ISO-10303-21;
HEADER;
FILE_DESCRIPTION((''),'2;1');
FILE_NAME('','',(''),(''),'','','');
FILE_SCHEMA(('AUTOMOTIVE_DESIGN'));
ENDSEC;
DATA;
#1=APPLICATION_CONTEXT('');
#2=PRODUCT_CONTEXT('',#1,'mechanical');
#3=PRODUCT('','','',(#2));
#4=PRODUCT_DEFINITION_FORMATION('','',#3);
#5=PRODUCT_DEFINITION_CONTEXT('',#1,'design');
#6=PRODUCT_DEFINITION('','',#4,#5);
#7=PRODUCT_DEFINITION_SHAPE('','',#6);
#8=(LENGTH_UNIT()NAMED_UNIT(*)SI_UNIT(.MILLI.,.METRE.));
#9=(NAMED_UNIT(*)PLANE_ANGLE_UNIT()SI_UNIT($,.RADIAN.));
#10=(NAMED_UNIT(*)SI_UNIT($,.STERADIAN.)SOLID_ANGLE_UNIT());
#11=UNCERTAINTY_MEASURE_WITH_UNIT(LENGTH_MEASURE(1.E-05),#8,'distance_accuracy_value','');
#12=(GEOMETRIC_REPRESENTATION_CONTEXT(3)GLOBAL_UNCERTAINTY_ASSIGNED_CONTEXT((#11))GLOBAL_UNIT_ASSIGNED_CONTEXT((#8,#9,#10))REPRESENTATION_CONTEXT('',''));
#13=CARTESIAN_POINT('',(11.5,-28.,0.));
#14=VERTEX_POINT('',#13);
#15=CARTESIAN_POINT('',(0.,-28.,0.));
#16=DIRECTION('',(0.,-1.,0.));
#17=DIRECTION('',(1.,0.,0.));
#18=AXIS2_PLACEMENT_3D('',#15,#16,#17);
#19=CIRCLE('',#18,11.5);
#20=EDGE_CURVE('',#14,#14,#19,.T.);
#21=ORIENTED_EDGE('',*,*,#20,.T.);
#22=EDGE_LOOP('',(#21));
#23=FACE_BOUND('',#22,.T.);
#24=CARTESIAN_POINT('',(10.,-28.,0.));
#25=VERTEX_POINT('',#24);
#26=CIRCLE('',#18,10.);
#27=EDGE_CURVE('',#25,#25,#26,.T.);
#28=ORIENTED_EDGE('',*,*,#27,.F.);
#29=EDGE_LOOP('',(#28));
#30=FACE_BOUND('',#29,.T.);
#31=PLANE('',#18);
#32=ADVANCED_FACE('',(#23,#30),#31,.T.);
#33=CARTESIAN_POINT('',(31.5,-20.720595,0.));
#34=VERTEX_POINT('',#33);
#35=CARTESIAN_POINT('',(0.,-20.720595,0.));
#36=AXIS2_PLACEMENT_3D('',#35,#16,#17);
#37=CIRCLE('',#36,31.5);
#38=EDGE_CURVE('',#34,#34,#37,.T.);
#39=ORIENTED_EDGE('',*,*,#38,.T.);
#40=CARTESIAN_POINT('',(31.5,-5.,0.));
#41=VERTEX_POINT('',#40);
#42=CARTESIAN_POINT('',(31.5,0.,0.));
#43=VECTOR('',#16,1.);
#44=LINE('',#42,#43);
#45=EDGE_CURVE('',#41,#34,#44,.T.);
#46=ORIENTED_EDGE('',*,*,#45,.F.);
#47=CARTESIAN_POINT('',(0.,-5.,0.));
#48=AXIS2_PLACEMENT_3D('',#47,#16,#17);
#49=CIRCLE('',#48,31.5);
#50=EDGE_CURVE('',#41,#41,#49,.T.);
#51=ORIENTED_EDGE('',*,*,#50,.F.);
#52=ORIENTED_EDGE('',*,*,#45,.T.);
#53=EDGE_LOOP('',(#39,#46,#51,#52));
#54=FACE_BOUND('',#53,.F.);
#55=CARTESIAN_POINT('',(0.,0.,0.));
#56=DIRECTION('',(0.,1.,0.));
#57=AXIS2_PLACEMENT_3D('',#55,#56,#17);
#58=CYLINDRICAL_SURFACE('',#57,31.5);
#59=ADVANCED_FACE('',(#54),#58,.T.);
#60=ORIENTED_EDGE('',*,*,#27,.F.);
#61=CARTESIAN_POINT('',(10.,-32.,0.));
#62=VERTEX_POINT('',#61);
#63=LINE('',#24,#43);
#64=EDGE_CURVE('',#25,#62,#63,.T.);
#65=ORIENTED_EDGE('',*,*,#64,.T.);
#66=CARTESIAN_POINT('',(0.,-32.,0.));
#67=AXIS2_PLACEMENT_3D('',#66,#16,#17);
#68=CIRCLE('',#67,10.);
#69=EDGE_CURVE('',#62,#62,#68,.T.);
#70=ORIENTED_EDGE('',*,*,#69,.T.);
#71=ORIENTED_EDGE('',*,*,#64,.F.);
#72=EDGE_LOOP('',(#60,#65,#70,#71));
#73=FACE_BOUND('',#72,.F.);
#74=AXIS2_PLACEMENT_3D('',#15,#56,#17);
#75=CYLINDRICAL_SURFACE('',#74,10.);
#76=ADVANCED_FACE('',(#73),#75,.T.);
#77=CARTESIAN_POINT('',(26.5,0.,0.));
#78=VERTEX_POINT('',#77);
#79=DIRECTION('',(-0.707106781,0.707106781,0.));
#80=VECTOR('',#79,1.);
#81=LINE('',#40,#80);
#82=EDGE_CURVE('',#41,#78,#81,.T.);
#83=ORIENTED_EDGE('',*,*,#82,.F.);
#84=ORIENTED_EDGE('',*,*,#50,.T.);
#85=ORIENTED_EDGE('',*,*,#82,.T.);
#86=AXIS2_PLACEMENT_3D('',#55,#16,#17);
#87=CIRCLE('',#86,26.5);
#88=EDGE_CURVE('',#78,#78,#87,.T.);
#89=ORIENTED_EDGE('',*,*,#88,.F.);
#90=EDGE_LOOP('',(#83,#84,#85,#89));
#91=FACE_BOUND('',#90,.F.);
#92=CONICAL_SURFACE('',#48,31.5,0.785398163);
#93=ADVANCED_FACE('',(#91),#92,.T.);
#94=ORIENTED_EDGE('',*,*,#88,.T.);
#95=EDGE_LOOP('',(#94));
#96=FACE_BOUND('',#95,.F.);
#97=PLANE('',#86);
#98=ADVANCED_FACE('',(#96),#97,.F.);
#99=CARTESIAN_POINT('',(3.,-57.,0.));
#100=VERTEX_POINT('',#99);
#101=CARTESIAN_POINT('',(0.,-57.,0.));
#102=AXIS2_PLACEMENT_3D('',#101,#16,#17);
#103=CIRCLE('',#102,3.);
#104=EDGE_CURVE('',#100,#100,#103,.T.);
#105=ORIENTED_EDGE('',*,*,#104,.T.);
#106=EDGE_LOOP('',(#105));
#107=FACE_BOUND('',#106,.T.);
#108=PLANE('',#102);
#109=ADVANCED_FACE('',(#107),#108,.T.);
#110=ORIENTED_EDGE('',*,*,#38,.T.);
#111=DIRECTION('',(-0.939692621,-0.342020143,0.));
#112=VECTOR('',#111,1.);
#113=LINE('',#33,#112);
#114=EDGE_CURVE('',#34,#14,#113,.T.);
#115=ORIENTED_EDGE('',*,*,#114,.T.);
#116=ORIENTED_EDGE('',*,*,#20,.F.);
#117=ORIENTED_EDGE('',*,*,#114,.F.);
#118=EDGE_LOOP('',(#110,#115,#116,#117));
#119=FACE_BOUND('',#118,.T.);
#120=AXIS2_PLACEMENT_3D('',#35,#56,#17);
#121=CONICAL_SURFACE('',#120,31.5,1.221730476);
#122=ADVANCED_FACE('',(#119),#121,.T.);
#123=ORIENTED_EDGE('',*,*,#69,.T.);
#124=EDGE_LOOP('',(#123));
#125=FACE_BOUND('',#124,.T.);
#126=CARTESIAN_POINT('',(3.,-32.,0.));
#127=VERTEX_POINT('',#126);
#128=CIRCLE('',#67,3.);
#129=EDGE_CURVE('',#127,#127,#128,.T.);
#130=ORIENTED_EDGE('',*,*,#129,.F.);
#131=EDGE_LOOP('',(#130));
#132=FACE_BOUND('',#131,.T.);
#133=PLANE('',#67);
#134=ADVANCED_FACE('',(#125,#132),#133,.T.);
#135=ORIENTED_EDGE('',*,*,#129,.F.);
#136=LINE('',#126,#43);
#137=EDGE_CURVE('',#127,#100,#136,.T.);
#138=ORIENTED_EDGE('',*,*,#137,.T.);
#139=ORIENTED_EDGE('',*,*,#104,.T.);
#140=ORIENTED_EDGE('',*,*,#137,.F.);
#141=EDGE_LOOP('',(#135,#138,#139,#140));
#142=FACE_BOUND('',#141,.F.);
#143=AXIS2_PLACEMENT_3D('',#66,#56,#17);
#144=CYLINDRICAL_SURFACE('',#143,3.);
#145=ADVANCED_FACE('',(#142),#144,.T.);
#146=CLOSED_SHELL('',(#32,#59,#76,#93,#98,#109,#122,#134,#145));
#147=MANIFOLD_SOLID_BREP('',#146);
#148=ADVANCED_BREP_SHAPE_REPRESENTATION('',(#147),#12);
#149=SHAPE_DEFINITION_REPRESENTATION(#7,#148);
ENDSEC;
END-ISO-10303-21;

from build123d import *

# Parameters (mm, degrees)
F0_R     = 31.5
F1_DEPTH = 28
F2_SIZE2 = 20
F2_SIZE  = 7.2794046853
F3_SIZE  = 5
F4_R     = 10
F5_DEPTH = 4
F6_R     = 3
F7_DEPTH = 25


with BuildPart() as f1:
    # F0 (on Front) → F1 (new body)
    with BuildSketch(Plane.XZ):
        Circle(F0_R)
    extrude(amount=F1_DEPTH)

    # F2
    f2_edges = [f1.edges().sort_by_distance(p)[0] for p in [
        (-31.5, -28, 0),
    ]]
    f2_side = f1.faces().sort_by_distance((-31.5, -14, 0))[0]
    chamfer(f2_edges, length=F2_SIZE, length2=F2_SIZE2, reference=f2_side)

    # F3
    f3_edges = [f1.edges().sort_by_distance(p)[0] for p in [
        (-31.5, 0, 0),
    ]]
    chamfer(f3_edges, length=F3_SIZE)

    # F4 (on face) → F5 (join)
    with BuildSketch(Plane.XZ.offset(28)):
        Circle(F4_R)
    extrude(amount=F5_DEPTH)

    # F6 (on face) → F7 (join)
    with BuildSketch(Plane.XZ.offset(32)):
        Circle(F6_R)
    extrude(amount=F7_DEPTH)


solid = f1.part
